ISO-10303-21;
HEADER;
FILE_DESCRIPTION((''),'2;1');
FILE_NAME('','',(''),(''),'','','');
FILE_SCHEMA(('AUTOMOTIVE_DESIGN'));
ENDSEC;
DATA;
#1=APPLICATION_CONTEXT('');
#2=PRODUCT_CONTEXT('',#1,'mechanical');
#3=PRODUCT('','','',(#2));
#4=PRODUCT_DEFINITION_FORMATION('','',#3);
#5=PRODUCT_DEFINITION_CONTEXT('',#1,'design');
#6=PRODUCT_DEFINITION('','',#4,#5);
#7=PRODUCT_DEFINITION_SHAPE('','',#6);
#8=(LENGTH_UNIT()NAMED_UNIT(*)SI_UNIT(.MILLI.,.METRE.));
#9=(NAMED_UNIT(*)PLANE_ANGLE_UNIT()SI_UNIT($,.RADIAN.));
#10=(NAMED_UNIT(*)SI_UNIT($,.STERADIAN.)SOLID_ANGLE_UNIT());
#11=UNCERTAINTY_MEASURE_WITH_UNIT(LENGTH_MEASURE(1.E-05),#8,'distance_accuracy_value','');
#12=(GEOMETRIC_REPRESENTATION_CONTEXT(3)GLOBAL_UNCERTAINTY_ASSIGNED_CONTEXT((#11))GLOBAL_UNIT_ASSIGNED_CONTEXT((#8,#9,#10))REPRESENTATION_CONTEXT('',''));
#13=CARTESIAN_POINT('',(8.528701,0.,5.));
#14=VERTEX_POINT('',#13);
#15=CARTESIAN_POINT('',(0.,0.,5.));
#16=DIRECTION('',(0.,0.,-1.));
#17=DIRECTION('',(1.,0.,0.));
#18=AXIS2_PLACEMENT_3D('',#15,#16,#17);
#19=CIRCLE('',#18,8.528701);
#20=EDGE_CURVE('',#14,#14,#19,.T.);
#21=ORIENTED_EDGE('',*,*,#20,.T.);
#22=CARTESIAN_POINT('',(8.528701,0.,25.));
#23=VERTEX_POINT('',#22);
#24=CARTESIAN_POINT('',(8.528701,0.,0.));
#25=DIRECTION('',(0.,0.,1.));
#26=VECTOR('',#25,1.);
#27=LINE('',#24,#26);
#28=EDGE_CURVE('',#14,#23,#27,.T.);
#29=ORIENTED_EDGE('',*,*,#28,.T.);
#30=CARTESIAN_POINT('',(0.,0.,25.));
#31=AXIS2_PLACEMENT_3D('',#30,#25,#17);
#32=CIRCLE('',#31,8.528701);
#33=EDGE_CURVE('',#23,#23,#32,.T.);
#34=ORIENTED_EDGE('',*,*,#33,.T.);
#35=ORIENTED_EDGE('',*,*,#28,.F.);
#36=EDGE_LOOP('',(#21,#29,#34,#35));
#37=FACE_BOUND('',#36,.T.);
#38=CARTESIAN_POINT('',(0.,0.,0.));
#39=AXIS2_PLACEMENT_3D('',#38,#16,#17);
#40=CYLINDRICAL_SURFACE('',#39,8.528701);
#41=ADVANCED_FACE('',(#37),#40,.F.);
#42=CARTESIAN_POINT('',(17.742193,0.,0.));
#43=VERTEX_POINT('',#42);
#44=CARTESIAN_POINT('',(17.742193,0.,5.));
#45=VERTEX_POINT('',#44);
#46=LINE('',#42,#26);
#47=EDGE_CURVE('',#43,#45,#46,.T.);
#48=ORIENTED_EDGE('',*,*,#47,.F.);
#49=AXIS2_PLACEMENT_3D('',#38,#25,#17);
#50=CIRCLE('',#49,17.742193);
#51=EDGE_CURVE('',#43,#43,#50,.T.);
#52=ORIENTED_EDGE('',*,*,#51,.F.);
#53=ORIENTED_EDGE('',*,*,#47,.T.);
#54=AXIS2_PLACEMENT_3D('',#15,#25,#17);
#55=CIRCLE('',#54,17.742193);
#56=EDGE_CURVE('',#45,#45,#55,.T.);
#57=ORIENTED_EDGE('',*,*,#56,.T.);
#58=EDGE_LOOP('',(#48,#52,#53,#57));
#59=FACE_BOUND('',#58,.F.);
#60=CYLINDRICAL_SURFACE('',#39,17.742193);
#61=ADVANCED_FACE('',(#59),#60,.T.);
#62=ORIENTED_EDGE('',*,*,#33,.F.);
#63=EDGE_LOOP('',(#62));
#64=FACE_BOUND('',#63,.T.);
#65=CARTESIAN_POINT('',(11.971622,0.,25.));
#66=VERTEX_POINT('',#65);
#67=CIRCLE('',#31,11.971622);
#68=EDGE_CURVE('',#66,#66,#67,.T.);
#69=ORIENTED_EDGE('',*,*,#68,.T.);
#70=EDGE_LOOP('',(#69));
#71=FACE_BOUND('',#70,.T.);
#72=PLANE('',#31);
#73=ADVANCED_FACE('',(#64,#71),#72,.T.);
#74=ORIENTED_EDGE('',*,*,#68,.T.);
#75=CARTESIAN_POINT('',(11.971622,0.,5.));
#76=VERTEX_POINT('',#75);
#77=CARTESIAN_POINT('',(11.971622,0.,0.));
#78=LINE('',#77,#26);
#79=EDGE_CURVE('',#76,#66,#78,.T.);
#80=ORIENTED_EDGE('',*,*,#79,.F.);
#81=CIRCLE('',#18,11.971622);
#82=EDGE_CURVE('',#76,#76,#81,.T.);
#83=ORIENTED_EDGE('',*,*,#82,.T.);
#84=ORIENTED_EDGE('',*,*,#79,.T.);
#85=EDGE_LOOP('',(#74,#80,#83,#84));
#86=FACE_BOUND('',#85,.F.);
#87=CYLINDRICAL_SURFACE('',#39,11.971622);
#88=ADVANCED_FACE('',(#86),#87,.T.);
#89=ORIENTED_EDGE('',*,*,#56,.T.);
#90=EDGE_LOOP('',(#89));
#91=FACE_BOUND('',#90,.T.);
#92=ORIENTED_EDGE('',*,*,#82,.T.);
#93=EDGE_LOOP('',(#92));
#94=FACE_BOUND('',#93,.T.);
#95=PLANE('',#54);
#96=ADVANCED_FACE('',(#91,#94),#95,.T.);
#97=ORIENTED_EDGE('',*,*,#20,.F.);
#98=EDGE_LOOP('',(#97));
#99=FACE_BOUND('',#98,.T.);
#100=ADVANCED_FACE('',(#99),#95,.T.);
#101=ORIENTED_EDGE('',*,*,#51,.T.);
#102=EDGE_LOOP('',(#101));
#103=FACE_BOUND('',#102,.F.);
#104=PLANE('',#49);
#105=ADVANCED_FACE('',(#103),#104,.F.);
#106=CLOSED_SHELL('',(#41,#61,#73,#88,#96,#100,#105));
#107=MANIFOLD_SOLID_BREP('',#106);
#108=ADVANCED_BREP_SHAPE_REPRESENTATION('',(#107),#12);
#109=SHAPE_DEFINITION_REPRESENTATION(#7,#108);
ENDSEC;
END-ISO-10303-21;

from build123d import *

# Parameters (mm, degrees)
F1_R     = 11.971622
F1_R_2   = 8.528701
F2_DEPTH = 25
F0_R     = 17.742193
F3_DEPTH = 5


with BuildPart() as f2:
    # F1 (on face) → F2 (new body)
    with BuildSketch(Plane.XY):
        Circle(F1_R)
        Circle(F1_R_2, mode=Mode.SUBTRACT)
    extrude(amount=F2_DEPTH)

    # F0 (on Top) → F3 (join)
    with BuildSketch(Plane.XY):
        Circle(F0_R)
    extrude(amount=F3_DEPTH)


solid = f2.part
